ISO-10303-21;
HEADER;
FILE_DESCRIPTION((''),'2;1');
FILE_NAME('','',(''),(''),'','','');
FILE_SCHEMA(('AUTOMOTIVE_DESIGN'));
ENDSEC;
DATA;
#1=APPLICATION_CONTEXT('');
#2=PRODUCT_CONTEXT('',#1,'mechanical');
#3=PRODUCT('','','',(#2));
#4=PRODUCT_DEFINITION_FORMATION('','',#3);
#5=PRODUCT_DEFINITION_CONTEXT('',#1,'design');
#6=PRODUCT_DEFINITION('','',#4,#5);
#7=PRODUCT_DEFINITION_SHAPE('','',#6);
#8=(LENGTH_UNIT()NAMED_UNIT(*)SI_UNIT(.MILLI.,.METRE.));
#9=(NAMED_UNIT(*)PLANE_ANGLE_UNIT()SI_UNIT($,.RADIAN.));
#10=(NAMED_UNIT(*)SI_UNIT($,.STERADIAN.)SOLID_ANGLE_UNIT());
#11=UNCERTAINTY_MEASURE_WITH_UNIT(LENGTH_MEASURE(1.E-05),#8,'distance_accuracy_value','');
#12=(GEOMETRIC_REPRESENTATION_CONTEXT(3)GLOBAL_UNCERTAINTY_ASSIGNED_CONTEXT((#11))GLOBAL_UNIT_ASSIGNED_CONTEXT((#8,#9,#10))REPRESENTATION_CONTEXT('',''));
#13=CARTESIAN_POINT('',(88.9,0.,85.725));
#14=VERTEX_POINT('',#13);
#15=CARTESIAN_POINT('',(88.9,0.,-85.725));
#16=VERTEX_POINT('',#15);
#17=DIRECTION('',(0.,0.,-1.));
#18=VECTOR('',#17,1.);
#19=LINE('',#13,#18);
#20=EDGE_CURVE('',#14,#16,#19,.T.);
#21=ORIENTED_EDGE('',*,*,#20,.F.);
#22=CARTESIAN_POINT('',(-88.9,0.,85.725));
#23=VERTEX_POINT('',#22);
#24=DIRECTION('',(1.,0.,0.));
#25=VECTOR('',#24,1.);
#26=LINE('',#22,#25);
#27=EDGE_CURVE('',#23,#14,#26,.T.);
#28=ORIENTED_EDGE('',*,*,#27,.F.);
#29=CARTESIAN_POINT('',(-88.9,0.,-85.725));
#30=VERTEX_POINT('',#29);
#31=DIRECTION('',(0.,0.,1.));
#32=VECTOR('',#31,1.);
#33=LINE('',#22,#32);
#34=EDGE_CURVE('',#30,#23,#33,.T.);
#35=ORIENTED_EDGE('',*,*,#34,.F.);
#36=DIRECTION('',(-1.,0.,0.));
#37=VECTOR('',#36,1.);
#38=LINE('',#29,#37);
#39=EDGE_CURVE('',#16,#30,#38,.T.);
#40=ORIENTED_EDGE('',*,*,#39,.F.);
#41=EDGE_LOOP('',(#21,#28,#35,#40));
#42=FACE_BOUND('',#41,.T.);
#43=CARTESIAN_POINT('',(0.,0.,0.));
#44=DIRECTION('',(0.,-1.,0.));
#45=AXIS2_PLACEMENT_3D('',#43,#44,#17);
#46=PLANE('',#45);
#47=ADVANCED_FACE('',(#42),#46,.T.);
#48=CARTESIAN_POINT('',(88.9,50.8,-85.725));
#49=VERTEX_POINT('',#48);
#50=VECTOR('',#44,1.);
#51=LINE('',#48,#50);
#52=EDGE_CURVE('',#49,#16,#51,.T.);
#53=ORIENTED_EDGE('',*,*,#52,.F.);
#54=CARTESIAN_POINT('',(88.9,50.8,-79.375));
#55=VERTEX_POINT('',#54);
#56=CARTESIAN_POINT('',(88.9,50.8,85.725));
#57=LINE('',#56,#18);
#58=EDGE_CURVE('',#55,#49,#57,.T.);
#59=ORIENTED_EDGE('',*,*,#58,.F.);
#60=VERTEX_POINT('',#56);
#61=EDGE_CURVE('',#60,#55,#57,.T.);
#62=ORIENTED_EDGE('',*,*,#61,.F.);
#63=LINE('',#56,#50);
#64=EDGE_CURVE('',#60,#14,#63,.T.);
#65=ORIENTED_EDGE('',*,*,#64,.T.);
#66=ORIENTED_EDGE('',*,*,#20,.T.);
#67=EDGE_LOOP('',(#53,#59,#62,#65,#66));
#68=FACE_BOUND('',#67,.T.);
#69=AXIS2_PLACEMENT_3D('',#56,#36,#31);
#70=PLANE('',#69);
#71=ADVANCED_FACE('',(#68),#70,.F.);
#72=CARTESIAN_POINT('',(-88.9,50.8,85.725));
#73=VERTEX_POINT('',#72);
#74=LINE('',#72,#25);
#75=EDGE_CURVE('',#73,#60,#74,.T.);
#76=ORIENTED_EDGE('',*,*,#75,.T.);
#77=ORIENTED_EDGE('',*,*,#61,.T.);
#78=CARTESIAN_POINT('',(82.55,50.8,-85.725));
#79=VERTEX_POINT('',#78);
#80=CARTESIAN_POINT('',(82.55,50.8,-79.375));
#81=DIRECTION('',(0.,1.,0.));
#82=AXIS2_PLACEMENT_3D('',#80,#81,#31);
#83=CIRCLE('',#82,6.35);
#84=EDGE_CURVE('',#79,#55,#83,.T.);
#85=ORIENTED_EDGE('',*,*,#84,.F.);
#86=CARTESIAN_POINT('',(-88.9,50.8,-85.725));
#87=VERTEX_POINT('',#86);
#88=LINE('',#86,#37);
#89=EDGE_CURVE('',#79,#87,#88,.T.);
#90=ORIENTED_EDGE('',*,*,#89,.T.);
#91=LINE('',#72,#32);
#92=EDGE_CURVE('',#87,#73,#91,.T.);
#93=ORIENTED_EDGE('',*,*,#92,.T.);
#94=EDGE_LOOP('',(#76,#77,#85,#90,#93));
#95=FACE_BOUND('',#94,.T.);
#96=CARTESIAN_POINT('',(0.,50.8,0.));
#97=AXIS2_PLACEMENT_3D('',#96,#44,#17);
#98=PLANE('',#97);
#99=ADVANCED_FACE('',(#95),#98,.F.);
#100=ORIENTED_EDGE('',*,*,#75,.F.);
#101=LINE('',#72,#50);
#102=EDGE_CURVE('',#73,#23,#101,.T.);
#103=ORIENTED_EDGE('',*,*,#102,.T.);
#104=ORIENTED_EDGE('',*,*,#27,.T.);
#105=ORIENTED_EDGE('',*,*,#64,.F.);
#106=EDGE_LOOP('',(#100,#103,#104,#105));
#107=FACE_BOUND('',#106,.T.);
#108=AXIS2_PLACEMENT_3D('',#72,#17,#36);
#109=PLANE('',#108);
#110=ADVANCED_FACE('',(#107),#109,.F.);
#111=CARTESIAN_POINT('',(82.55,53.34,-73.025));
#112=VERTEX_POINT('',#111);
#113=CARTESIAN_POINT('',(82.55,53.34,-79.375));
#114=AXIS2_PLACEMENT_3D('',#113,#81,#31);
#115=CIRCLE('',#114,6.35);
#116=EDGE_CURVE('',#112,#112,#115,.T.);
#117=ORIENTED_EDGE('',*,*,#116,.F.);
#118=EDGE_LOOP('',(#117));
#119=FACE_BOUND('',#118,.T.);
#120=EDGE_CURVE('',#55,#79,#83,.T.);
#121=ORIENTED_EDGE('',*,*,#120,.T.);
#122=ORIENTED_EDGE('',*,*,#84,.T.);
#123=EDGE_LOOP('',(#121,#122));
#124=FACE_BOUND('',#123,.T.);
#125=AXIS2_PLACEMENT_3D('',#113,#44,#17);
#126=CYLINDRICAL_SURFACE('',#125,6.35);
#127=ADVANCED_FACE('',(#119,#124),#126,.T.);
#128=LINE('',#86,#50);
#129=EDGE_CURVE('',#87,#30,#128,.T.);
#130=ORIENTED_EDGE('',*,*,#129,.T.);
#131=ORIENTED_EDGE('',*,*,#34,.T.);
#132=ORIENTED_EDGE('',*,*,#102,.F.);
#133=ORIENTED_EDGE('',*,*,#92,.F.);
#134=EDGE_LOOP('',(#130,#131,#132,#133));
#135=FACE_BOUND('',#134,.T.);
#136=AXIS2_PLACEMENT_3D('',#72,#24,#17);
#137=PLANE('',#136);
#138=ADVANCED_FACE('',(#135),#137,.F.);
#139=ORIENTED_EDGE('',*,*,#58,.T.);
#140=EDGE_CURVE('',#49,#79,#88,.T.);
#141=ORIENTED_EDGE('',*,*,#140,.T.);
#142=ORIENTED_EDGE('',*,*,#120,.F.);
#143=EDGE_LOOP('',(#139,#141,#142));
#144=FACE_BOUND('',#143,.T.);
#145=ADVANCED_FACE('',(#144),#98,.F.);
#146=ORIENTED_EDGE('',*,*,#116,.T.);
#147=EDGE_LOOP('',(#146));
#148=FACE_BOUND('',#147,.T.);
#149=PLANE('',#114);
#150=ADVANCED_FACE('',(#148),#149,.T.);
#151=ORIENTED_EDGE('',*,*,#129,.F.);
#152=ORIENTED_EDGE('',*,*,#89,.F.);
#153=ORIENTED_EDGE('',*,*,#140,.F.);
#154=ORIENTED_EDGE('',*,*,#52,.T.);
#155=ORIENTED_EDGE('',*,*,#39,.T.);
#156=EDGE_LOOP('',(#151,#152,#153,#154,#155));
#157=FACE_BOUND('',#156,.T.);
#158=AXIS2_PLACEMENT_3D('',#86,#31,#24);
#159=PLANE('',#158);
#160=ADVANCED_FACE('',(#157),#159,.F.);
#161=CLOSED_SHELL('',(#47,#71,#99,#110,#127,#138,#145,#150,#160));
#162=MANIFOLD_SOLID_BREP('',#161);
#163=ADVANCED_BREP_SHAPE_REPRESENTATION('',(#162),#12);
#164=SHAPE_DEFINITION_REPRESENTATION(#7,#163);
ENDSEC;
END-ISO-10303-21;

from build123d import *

# Parameters (mm, degrees)
SKETCH1_W           = 177.8
SKETCH1_H           = 171.45
BOSS_EXTRUDE1_DEPTH = 50.8
SKETCH2_R           = 6.35
BOSS_EXTRUDE2_DEPTH = 2.54


with BuildPart() as part:
    # Sketch1 → Boss-Extrude1 (new body)
    with BuildSketch(Plane(origin=(0, 0, 0), x_dir=(1, 0, 0), z_dir=(0, 1, 0))):
        Rectangle(SKETCH1_W, SKETCH1_H)
    extrude(amount=BOSS_EXTRUDE1_DEPTH)

    # Sketch2 → Boss-Extrude2 (add)
    with BuildSketch(Plane(origin=(0, 50.8, 0), x_dir=(1, 0, 0), z_dir=(0, 1, 0))):
        with Locations((82.55, 79.375)):
            Circle(SKETCH2_R)
    extrude(amount=BOSS_EXTRUDE2_DEPTH)


solid = part.part
